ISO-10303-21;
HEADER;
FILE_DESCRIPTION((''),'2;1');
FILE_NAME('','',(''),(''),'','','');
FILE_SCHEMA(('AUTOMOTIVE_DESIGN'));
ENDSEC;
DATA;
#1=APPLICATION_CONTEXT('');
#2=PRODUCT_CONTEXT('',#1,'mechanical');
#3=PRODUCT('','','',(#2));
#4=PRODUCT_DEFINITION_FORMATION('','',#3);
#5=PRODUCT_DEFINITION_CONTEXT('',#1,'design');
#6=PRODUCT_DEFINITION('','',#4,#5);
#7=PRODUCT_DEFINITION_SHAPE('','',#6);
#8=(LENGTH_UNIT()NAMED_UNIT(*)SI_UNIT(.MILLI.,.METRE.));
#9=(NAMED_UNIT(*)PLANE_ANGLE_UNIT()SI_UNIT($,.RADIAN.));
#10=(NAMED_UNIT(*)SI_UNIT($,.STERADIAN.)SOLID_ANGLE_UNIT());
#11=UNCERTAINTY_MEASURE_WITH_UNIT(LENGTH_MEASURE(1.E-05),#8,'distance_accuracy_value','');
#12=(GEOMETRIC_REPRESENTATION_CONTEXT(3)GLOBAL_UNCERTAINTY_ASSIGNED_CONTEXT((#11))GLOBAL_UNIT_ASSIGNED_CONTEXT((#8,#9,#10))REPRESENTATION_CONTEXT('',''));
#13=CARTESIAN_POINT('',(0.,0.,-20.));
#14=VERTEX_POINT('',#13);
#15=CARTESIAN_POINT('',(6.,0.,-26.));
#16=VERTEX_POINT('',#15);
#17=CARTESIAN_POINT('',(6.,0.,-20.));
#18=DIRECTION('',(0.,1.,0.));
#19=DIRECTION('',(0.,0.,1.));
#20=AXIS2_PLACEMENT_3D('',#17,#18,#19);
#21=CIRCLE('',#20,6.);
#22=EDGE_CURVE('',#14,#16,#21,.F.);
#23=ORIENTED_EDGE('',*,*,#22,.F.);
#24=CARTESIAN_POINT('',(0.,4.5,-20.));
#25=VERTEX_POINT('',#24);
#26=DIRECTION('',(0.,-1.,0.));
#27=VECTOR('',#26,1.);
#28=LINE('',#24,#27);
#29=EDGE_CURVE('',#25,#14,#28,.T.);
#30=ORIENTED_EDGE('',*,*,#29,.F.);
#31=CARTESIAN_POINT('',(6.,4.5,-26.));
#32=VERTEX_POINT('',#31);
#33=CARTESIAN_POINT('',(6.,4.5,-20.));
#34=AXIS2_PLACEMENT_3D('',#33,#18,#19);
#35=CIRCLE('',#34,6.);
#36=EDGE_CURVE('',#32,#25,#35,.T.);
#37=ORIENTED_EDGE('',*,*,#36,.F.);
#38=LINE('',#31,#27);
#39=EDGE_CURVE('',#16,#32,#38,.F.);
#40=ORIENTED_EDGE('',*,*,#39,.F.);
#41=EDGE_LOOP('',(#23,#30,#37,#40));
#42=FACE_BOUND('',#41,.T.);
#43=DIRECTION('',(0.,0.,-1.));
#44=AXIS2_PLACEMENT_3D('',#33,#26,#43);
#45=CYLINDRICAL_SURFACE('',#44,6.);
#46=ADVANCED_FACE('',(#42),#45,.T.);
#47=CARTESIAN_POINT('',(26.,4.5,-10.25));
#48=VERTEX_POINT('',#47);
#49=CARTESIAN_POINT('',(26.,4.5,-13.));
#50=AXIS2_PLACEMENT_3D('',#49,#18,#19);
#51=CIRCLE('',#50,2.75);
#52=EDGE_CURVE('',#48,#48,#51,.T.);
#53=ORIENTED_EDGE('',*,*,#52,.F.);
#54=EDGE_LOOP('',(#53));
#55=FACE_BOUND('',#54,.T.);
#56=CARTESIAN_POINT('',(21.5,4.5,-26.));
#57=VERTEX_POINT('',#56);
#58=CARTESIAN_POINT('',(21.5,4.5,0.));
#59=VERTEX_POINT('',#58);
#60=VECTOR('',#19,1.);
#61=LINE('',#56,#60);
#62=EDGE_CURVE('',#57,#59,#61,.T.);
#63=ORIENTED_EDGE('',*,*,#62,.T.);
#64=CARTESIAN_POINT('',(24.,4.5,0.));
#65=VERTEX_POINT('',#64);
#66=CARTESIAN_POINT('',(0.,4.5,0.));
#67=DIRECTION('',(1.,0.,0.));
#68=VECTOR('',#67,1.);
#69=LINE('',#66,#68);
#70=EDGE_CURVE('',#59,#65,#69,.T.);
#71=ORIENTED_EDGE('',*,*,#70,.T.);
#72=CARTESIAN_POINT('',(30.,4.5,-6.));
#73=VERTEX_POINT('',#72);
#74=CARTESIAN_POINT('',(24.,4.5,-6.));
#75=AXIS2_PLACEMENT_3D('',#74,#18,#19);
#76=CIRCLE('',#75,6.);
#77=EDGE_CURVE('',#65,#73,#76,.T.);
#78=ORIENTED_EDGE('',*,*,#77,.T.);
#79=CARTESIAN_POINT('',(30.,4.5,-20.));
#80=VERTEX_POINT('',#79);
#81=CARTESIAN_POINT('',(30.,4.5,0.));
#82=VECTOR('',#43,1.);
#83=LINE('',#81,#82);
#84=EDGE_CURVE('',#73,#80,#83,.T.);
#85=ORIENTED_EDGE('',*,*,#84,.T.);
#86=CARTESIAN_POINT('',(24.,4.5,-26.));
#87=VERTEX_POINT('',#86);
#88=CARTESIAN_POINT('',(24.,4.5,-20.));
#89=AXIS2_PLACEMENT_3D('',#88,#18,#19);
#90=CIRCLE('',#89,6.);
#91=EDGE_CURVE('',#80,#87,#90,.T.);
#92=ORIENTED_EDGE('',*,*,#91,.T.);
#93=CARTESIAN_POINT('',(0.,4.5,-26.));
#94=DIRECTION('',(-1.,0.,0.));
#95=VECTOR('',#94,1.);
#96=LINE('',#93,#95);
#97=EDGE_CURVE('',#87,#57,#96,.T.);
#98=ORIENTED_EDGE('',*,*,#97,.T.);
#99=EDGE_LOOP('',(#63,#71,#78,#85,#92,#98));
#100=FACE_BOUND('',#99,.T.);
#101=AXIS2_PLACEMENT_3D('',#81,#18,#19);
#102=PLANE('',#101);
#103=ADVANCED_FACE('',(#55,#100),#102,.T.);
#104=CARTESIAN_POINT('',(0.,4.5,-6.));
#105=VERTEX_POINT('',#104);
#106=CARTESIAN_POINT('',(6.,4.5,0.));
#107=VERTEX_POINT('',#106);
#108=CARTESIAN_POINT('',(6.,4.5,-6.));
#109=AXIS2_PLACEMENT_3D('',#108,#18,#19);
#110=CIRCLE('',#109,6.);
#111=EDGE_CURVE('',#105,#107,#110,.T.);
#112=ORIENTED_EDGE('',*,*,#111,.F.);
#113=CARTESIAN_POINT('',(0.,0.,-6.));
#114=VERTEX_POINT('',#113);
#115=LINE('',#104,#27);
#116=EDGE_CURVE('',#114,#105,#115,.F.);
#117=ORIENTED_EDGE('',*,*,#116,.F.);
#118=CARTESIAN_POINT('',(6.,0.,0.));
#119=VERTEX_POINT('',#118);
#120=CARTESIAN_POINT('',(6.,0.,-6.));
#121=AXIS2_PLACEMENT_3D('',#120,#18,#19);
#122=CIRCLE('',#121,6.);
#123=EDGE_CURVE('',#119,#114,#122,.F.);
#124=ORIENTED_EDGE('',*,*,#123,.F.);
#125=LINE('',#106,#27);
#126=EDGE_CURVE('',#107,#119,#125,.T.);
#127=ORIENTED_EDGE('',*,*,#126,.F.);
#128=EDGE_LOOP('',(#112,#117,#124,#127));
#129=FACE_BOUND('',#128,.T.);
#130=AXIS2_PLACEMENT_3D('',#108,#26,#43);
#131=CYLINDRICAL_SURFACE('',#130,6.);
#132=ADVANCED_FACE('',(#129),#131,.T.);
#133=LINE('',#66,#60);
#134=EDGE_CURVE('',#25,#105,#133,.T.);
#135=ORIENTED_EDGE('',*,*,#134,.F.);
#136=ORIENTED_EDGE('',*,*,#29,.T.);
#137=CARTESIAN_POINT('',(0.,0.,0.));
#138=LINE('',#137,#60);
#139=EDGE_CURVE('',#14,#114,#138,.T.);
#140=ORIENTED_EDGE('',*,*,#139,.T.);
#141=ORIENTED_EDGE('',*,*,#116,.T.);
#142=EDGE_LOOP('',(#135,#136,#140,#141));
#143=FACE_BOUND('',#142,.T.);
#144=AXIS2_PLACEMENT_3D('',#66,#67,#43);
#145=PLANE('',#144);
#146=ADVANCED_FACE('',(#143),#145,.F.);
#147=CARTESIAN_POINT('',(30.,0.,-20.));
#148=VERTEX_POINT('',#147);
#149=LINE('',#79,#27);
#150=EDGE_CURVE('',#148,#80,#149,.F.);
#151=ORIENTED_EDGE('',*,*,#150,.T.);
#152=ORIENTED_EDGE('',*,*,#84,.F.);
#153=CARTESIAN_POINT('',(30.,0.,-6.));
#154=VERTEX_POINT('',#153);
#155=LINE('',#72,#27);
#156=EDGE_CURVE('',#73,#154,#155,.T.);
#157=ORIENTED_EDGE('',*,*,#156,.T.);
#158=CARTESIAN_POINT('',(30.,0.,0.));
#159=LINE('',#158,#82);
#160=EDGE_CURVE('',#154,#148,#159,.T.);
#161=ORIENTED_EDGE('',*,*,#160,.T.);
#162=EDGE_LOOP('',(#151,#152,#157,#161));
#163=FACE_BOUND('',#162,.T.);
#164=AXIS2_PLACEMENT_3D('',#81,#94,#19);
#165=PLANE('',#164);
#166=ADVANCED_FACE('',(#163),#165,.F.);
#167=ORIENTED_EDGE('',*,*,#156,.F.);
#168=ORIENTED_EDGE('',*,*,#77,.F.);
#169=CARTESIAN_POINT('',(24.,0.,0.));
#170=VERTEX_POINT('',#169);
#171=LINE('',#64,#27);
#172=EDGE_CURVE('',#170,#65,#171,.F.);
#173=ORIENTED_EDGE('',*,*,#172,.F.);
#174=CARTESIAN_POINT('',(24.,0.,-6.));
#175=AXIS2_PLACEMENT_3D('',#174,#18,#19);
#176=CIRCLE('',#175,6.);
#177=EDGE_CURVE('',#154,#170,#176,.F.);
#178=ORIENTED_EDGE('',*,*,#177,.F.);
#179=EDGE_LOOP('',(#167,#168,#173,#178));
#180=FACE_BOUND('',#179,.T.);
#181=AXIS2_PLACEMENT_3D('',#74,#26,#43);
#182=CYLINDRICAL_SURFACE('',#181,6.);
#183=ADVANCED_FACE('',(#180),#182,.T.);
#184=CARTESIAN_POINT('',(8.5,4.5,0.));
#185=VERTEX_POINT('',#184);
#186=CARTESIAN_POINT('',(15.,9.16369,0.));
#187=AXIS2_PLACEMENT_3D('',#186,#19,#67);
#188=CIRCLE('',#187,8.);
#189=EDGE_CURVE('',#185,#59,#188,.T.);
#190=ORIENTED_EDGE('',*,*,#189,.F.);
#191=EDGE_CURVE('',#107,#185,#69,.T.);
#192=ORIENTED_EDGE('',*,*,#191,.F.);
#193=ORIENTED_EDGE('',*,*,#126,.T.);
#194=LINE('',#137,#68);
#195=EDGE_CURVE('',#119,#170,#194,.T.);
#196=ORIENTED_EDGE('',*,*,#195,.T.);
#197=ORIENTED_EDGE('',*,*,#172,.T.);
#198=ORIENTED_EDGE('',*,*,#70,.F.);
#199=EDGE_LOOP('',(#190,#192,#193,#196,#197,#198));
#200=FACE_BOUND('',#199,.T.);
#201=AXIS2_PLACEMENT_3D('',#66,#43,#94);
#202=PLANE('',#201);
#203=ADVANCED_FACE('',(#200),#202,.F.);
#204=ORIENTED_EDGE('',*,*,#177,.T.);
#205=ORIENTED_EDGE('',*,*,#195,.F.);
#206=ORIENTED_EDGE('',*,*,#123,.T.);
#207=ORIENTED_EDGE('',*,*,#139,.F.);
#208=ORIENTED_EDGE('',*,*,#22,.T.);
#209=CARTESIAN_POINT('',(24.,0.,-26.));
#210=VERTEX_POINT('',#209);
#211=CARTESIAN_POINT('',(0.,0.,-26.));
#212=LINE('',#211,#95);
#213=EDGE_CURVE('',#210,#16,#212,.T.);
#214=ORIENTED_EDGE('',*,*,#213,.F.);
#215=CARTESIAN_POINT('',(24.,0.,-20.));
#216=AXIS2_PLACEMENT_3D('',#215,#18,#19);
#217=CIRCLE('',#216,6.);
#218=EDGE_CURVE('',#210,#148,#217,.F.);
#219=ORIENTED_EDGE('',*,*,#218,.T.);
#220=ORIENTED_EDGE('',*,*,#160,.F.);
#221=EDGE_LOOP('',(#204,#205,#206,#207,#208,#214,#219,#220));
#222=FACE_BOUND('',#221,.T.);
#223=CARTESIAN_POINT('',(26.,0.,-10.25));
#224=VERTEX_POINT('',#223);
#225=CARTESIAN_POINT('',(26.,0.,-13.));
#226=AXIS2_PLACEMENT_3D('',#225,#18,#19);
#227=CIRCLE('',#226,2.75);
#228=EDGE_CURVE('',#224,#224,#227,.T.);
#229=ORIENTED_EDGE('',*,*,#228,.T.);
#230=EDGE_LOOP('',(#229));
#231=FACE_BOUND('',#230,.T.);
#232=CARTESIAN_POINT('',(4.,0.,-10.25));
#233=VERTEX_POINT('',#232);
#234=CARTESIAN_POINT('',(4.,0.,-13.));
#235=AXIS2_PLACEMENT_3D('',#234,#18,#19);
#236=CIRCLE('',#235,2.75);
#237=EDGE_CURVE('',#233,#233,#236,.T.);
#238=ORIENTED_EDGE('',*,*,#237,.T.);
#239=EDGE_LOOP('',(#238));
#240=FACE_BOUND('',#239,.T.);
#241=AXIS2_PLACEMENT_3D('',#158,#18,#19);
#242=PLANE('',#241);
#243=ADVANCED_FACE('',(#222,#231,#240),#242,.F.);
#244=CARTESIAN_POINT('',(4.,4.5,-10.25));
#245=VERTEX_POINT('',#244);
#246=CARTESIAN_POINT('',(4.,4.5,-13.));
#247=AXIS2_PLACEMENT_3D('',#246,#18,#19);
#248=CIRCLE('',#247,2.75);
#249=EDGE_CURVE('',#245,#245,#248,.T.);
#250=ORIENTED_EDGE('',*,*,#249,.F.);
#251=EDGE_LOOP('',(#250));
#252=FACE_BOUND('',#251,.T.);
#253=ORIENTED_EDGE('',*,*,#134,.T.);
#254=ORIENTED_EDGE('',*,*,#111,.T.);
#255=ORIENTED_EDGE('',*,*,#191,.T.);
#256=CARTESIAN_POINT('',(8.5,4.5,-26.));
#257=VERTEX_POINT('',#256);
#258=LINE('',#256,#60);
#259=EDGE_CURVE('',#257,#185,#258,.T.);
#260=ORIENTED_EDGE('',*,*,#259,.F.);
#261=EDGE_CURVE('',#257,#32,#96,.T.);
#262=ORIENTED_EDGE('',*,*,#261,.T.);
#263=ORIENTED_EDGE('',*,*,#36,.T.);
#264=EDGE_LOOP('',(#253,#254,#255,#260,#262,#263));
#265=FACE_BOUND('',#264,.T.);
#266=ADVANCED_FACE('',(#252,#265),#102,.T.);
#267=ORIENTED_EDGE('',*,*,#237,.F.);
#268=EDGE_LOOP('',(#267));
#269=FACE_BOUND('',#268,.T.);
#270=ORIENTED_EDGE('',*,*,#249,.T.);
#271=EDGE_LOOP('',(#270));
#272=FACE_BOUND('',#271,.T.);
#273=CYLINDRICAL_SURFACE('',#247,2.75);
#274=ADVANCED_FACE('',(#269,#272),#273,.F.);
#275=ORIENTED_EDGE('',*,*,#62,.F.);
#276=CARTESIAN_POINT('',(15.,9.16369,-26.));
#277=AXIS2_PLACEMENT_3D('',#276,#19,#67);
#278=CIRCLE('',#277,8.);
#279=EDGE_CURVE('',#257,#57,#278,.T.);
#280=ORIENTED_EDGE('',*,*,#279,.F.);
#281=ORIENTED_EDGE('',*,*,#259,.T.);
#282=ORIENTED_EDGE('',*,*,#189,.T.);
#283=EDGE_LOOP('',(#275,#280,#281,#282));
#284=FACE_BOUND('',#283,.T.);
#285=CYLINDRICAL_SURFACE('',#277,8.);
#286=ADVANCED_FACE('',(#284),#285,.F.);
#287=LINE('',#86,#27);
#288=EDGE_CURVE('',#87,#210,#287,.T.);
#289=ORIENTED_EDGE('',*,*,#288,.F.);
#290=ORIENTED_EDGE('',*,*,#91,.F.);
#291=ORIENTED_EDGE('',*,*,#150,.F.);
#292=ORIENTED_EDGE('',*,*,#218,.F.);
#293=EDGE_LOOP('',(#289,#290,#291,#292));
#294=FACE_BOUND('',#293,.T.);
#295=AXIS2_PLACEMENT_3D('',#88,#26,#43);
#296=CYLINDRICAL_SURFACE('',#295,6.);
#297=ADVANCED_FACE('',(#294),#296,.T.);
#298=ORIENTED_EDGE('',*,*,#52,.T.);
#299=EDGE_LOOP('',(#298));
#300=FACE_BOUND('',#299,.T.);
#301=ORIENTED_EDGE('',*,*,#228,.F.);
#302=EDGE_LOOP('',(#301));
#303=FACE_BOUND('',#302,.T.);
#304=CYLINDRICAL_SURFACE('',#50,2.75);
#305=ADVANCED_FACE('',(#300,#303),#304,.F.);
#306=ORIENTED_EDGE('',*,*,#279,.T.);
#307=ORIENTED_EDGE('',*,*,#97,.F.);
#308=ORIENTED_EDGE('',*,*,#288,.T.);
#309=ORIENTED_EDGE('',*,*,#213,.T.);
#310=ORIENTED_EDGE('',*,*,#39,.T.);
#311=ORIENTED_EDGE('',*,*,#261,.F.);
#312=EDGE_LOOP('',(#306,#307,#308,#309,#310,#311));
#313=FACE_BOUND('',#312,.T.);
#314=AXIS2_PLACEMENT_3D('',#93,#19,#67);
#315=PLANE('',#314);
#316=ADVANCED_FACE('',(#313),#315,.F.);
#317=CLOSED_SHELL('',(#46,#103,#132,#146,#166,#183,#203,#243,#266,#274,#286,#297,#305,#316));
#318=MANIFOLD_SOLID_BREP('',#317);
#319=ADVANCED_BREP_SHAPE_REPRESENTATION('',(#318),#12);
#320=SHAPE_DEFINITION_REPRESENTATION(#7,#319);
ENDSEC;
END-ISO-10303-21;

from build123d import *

# Parameters (mm, degrees)
SKETCH1_W                      = 30
SKETCH1_H                      = 26
BOSS_EXTRUDE1_DEPTH            = 4.5
CUT_EXTRUDE1_DEPTH             = 40.953097502
F_5_5_5_5_DIAMETER_HOLE1_D     = 5.5
F_5_5_5_5_DIAMETER_HOLE1_DEPTH = 10
F_5_5_5_5_DIAMETER_HOLE1_TIP   = 1.652366702
FILLET2_R                      = 6


with BuildPart() as part:
    # Sketch1 → Boss-Extrude1 (new body)
    with BuildSketch(Plane(origin=(0, 0, 0), x_dir=(1, 0, 0), z_dir=(0, 1, 0))):
        with Locations((15, 13)):
            Rectangle(SKETCH1_W, SKETCH1_H)
    extrude(amount=BOSS_EXTRUDE1_DEPTH)

    # Sketch2 → Cut-Extrude1 (cut, through all)
    with BuildSketch(Plane.XY):
        with BuildLine():
            Line((8.5, 4.5), (21.5, 4.5))
            ThreePointArc((21.5, 4.5), (15, 1.163689527), (8.5, 4.5))
        make_face()
    extrude(amount=-CUT_EXTRUDE1_DEPTH, mode=Mode.SUBTRACT)

    # Ø5.5 (5.5) Diameter Hole1
    with Locations(Plane(origin=(0, 4.5, 0), x_dir=(-1, 0, 0), z_dir=(0, 1, 0))):
        with Locations((-4, -13), (-26, -13)):
            Hole(F_5_5_5_5_DIAMETER_HOLE1_D / 2, depth=F_5_5_5_5_DIAMETER_HOLE1_DEPTH)
            with Locations((0, 0, -(F_5_5_5_5_DIAMETER_HOLE1_DEPTH + F_5_5_5_5_DIAMETER_HOLE1_TIP / 2))):  # 118° drill point
                Cone(0, F_5_5_5_5_DIAMETER_HOLE1_D / 2, F_5_5_5_5_DIAMETER_HOLE1_TIP, mode=Mode.SUBTRACT)

    # Fillet2
    fillet2_edges = [part.edges().sort_by_distance(p)[0] for p in [
        (0, 2.25, 0),
        (0, 2.25, -26),
        (30, 2.25, -26),
        (30, 2.25, 0),
    ]]
    fillet(fillet2_edges, radius=FILLET2_R)


solid = part.part
